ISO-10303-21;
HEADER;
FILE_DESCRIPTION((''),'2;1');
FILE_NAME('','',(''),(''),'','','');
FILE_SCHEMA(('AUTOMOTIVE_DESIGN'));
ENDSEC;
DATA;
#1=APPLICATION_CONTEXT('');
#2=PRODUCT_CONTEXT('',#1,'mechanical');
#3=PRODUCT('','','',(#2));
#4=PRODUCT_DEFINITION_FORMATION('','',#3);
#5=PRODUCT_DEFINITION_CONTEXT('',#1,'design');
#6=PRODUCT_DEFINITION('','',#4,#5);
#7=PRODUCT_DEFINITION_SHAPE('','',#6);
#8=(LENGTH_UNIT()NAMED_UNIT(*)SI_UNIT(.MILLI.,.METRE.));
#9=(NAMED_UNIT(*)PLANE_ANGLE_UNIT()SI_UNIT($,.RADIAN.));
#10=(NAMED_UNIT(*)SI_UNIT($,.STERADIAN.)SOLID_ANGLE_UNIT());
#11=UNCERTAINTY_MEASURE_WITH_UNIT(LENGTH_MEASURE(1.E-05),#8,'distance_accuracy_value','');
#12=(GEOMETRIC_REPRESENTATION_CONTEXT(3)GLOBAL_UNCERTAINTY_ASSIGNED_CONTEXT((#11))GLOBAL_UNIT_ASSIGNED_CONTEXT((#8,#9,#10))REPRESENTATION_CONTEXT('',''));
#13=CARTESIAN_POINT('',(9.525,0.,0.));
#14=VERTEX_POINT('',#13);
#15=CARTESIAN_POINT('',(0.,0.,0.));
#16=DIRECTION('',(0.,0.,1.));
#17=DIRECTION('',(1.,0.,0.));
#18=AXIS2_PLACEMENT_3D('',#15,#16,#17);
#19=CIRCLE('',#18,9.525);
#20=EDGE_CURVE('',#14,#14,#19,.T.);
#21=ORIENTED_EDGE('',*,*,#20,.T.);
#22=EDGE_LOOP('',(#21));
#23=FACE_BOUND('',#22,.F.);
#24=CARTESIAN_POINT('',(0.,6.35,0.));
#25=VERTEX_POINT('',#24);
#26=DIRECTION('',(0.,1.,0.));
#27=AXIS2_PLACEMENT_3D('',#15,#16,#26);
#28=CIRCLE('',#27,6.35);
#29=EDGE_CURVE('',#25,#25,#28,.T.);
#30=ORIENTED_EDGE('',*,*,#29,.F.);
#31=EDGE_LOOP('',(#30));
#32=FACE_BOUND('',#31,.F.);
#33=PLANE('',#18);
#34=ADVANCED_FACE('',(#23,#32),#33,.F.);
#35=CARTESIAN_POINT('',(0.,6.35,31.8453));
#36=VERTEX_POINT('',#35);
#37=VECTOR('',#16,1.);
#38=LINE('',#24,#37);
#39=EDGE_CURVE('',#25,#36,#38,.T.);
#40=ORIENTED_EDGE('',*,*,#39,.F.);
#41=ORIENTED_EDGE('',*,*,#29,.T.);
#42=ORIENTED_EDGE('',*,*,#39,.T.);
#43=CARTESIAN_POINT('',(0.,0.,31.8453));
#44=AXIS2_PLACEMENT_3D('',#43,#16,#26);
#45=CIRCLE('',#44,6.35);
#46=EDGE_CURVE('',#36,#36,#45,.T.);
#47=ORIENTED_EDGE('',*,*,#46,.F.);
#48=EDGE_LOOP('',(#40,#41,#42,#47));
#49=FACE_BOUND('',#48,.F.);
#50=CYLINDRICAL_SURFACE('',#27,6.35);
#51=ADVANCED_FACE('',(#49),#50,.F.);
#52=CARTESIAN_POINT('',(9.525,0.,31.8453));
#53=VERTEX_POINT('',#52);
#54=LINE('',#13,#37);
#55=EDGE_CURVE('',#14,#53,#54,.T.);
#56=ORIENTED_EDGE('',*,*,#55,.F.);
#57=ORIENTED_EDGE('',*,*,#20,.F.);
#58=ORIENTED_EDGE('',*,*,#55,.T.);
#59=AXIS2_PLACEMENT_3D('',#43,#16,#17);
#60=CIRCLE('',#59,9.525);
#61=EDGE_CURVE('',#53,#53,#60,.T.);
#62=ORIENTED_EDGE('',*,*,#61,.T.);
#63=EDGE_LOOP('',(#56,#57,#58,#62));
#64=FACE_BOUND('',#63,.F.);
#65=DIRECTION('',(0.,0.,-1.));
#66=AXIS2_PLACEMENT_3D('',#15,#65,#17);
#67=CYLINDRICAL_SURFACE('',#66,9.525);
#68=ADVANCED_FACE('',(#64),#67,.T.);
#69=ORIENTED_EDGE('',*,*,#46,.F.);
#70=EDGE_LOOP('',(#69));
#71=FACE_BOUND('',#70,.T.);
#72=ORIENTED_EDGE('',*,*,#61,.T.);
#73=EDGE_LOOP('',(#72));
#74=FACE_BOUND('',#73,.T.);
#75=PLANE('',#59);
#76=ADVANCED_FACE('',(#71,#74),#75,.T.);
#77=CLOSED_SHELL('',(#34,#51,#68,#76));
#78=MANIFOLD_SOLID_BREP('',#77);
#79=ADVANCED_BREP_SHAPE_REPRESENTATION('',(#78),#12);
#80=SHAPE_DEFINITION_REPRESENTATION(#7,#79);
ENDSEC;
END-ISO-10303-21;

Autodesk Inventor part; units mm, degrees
ref_plane "YZ Plane" through (0, 0, 0) normal (1, 0, 0) x (0, 1, 0)
ref_plane "XZ Plane" through (0, 0, 0) normal (0, 1, 0) x (-1, 0, 0)
ref_plane "XY Plane" through (0, 0, 0) normal (0, 0, 1) x (1, 0, 0)
sketch "Sketch1" plane through (0, 0, 0) normal (0, 0, 1) x (1, 0, 0)
  circle A0 centre (0, 0) radius 9.525
  dimension "d0" = 19.05
extrude "Extrusion1" add sketch "Sketch1" along normal blind 31.8453
hole "Hole1" at (0, 0, 0) direction (0, 0, 1) diameter 12.7 end through all
properties part number "Main Connecting Standoff"
